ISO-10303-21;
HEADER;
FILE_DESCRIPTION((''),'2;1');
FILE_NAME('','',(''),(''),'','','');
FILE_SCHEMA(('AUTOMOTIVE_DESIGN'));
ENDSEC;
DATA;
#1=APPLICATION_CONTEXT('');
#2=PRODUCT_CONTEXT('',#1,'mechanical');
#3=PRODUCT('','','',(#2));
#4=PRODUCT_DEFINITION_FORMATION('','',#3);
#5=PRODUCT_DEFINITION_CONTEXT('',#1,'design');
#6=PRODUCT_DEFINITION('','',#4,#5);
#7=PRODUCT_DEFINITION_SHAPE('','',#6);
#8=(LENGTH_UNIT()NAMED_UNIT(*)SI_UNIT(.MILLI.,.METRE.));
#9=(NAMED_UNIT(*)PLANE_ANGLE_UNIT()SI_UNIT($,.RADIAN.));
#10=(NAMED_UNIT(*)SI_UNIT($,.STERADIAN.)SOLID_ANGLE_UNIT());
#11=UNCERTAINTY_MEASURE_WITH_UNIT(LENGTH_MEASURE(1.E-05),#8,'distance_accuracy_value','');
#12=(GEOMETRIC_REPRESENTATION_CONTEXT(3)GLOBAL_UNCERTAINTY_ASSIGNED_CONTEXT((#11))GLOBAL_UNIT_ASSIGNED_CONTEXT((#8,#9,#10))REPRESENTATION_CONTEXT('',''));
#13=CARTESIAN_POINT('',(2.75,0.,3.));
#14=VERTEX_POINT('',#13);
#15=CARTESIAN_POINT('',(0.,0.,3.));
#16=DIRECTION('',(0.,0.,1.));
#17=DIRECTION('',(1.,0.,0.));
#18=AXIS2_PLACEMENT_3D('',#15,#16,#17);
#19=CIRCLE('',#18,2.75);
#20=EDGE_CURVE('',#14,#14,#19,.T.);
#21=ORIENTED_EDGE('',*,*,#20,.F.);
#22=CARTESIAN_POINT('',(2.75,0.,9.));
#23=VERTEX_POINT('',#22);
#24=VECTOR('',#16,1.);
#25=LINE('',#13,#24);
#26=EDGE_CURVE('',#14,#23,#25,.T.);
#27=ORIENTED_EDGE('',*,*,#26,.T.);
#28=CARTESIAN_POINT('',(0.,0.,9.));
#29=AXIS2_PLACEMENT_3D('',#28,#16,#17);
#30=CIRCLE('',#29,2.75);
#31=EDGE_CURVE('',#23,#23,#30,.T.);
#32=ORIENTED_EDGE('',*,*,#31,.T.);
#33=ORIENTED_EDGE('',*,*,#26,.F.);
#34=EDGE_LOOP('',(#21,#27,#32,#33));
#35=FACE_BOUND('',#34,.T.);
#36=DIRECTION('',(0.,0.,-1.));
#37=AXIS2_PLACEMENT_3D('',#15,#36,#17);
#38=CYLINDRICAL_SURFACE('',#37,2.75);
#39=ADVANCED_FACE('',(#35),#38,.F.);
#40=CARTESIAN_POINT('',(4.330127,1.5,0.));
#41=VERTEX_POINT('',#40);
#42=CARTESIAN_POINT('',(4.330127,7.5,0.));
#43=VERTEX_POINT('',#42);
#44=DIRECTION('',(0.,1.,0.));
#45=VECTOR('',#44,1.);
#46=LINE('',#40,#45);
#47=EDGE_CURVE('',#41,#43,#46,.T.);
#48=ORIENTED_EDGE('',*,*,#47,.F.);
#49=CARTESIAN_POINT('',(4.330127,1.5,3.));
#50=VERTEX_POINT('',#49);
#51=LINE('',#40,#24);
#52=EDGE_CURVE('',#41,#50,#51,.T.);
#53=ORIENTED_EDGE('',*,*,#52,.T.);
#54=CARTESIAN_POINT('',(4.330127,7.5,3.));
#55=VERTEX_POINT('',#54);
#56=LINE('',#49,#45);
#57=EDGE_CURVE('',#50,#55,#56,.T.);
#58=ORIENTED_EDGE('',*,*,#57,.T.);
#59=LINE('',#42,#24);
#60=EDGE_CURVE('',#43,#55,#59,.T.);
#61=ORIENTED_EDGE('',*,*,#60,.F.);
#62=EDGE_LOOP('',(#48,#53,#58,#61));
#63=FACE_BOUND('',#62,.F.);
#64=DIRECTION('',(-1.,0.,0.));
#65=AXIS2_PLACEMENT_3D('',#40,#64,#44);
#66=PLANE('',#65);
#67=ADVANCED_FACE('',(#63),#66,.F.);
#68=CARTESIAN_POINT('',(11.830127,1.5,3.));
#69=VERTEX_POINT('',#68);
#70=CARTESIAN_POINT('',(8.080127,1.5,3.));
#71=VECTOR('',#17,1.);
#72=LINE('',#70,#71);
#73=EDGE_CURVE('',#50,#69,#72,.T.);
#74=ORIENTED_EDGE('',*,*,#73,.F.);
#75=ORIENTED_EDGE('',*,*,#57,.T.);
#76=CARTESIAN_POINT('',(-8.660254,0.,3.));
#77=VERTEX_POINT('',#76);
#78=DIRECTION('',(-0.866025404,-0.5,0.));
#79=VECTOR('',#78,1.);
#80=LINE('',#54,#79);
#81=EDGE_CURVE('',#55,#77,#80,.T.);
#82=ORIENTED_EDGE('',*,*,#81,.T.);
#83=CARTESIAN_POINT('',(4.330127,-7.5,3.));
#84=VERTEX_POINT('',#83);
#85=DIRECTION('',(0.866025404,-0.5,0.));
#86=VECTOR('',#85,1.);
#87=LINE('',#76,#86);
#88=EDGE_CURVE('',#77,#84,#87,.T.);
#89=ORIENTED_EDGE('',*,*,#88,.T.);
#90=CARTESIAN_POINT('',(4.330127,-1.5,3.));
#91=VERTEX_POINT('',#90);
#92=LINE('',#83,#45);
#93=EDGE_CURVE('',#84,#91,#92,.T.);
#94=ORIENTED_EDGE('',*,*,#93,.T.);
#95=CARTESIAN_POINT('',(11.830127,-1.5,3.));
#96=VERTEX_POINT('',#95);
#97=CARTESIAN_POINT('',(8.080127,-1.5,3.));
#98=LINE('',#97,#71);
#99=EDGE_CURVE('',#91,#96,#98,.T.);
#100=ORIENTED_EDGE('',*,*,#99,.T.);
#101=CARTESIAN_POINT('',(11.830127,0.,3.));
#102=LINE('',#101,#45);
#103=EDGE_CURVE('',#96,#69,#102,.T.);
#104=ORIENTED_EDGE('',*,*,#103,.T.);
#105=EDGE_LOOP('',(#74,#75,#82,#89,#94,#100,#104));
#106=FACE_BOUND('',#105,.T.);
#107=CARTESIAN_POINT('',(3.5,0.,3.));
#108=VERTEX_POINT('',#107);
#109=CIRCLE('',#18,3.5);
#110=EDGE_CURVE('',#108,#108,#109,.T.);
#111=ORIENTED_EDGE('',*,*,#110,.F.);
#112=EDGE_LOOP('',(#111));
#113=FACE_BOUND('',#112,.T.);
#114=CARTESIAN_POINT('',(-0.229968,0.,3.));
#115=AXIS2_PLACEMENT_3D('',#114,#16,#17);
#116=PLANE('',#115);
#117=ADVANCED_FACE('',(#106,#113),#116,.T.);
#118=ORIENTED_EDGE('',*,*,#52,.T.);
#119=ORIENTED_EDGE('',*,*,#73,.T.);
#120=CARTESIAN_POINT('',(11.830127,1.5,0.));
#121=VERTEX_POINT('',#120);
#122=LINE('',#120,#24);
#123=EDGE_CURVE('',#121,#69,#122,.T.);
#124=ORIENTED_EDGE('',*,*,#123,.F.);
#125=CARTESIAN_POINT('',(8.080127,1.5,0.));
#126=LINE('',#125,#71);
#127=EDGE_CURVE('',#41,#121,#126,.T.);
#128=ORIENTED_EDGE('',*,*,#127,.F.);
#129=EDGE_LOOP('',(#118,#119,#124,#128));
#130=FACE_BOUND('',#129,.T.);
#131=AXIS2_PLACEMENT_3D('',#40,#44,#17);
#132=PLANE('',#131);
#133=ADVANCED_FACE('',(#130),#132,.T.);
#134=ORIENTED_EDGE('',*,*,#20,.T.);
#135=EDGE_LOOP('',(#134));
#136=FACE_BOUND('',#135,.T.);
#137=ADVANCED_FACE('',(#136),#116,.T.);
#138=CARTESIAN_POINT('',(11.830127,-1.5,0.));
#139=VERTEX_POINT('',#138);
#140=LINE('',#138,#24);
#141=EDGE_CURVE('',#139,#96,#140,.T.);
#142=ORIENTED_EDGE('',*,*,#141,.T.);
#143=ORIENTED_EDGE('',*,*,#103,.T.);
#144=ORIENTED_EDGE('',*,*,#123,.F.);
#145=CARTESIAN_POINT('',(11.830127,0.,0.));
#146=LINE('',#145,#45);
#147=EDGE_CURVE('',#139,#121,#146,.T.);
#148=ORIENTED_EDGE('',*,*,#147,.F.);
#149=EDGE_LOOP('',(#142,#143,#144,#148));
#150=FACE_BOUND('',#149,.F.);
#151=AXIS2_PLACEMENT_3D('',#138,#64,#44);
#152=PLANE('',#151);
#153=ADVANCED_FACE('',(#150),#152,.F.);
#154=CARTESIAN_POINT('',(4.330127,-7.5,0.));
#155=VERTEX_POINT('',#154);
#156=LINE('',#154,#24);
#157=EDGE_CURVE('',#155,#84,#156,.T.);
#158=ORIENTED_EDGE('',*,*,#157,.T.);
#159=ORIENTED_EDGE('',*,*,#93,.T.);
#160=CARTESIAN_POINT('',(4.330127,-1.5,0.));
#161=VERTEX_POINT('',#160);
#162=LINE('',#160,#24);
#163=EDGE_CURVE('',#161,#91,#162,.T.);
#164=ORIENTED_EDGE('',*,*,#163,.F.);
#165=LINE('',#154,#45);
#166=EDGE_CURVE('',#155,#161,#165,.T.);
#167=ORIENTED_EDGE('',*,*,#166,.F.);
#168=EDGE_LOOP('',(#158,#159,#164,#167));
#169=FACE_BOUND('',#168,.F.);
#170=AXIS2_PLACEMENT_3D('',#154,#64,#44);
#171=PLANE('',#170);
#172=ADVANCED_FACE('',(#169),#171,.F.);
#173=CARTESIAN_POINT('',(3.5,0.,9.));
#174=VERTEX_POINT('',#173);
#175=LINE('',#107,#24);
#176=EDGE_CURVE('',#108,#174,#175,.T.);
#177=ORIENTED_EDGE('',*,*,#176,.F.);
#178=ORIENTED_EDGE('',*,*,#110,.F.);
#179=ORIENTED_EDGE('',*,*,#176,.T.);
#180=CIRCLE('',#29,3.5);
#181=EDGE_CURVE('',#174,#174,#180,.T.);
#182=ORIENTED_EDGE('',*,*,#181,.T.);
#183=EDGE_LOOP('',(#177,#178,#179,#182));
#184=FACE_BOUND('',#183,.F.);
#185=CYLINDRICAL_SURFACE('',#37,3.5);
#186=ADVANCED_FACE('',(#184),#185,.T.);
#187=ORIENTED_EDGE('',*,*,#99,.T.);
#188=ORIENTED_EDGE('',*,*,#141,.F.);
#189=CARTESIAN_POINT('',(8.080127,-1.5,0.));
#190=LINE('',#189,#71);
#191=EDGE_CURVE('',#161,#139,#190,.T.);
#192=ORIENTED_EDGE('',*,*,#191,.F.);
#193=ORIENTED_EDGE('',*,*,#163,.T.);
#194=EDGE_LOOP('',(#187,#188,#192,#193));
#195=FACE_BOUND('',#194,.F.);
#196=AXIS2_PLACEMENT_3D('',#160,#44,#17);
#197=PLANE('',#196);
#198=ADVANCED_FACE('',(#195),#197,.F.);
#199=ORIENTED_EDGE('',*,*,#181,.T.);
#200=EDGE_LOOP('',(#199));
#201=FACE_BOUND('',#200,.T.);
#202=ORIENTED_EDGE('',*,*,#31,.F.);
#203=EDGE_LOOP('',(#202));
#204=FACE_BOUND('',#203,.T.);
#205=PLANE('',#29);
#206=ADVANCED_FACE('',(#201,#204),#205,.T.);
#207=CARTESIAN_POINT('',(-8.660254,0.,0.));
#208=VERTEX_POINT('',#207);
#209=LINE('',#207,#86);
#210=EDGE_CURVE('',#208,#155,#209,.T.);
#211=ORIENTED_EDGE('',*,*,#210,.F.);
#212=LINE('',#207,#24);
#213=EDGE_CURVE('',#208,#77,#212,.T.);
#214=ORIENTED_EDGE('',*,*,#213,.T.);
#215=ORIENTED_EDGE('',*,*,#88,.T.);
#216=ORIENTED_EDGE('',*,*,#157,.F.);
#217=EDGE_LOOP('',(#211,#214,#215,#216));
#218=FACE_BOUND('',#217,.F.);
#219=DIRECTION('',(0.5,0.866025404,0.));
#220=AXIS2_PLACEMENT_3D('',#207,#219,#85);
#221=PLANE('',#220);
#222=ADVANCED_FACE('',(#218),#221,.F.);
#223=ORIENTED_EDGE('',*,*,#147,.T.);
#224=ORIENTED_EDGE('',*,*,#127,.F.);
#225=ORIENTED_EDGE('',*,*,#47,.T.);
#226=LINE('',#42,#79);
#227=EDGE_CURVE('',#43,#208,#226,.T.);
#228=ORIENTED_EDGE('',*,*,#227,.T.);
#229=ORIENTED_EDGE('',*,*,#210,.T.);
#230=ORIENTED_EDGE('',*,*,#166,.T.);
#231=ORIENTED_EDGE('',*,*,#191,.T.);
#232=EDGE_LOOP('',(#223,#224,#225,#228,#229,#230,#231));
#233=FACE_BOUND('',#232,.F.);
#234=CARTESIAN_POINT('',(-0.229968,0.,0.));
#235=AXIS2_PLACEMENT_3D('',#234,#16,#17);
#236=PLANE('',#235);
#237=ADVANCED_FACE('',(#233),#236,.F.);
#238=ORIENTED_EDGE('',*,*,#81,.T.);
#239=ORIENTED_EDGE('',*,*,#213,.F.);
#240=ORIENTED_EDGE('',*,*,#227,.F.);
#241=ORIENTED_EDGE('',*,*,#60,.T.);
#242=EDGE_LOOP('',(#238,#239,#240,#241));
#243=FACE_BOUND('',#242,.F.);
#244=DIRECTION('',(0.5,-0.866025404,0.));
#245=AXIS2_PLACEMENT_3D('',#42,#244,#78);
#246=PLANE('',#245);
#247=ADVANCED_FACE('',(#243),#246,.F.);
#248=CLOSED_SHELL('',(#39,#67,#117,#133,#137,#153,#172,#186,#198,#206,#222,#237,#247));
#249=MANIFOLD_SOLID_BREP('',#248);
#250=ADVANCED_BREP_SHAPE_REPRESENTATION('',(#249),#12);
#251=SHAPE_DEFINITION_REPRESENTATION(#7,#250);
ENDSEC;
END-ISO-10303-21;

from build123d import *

# Parameters (mm, degrees)
F0_W     = 7.5
F0_H     = 3
F1_DEPTH = 3
F2_R     = 3.5
F2_R_2   = 2.75
F3_DEPTH = 6


with BuildPart() as f1:
    # F0 (on Top) → F1 (new body)
    with BuildSketch(Plane.XY):
        Polygon((4.3301270189, 1.5), (4.3301270189, 7.5), (-8.6602540378, 0), (4.3301270189, -7.5), (4.3301270189, -1.5), (-3.1698729811, -1.5), (-3.1698729811, 1.5), align=None)
        with Locations((8.0801270189, 0)):
            Rectangle(F0_W, F0_H)
        with Locations((0.5801270189, 0)):
            Rectangle(F0_W, F0_H)
    extrude(amount=F1_DEPTH)

    # F2 (on face) → F3 (join)
    with BuildSketch(Plane.XY.offset(3)):
        Circle(F2_R)
        Circle(F2_R_2, mode=Mode.SUBTRACT)
    extrude(amount=F3_DEPTH)


solid = f1.part
